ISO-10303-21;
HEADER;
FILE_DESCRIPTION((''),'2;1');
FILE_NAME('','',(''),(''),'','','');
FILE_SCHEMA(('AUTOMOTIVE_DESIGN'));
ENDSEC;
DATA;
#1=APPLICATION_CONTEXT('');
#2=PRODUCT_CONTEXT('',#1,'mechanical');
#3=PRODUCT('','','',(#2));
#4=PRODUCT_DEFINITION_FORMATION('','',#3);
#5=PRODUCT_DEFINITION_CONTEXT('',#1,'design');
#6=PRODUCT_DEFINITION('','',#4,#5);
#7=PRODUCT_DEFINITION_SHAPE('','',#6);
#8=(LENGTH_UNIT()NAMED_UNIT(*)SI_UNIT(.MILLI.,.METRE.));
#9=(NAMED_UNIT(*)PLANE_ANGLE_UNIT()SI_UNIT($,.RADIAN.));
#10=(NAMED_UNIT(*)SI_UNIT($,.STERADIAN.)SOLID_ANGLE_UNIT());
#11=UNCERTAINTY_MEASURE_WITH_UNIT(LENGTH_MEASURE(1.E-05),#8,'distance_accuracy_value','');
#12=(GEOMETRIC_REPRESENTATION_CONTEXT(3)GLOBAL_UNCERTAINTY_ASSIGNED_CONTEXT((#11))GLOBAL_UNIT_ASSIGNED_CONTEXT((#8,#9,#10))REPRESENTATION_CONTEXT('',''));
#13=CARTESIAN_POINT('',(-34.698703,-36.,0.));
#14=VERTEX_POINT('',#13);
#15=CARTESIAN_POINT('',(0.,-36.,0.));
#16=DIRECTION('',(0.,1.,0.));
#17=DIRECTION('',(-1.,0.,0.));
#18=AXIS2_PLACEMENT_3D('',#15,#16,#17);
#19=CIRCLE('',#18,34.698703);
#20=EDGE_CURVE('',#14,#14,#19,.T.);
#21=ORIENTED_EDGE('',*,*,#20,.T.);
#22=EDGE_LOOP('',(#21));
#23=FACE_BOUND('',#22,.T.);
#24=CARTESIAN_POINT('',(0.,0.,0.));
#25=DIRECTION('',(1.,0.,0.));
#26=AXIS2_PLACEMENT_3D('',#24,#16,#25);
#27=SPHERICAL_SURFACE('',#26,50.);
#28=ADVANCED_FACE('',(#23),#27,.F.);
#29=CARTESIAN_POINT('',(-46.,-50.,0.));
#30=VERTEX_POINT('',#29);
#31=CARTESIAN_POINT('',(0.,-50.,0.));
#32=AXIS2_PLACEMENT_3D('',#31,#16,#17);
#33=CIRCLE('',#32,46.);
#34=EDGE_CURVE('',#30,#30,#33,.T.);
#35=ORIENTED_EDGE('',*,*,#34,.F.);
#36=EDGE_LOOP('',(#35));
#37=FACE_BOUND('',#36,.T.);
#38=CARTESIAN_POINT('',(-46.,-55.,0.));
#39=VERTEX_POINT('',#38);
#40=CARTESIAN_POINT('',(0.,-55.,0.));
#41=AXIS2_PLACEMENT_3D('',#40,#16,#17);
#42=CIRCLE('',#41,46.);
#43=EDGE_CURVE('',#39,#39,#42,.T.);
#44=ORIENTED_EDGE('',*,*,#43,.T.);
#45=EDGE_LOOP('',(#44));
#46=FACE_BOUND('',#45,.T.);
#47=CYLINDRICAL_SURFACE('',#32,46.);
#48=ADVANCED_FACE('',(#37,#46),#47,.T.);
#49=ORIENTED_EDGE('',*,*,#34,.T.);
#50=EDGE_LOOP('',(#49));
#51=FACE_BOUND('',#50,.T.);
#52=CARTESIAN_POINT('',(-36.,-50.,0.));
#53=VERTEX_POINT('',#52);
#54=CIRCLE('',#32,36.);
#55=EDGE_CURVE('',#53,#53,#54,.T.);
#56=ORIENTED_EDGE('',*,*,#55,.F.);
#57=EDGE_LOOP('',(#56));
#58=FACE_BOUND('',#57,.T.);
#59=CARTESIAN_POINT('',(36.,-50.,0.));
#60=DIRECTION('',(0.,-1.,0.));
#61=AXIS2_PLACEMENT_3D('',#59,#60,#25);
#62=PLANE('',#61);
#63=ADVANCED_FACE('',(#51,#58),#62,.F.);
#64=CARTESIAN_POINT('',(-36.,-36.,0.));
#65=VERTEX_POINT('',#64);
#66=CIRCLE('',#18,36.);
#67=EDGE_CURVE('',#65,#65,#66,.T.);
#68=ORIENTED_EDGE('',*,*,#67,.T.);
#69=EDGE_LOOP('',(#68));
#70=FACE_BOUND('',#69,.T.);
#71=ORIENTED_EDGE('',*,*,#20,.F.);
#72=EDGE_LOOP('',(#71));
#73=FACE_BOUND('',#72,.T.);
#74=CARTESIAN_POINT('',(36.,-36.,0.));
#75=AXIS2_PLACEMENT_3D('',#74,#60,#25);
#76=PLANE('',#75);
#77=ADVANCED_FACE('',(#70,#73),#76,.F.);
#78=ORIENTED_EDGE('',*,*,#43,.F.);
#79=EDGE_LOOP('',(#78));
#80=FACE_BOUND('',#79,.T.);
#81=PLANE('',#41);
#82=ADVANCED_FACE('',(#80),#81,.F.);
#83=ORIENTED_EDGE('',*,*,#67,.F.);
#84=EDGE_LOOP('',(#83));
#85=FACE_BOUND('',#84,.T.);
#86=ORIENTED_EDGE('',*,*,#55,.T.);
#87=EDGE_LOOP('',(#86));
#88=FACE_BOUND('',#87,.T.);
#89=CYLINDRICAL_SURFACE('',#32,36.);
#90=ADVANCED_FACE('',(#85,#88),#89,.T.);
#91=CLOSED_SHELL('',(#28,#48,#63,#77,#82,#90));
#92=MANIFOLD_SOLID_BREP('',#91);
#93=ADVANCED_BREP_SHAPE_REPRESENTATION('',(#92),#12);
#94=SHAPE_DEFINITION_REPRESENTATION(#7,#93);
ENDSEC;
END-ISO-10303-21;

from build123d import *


with BuildPart() as part:
    # Эскиз1 → Повернуть2 (revolve)
    with BuildSketch(Plane.XY):
        with BuildLine():
            Line((0, -50), (0, -55))
            Line((0, -55), (46, -55))
            Line((46, -55), (46, -50))
            Line((46, -50), (36, -50))
            Line((36, -50), (36, -36))
            Line((36, -36), (34.698703146, -36))
            ThreePointArc((34.698703146, -36), (18.708286934, -46.368092477), (0, -50))
        make_face()
    revolve(axis=Axis((0, -50, 0), (0, -1, 0)))


solid = part.part
